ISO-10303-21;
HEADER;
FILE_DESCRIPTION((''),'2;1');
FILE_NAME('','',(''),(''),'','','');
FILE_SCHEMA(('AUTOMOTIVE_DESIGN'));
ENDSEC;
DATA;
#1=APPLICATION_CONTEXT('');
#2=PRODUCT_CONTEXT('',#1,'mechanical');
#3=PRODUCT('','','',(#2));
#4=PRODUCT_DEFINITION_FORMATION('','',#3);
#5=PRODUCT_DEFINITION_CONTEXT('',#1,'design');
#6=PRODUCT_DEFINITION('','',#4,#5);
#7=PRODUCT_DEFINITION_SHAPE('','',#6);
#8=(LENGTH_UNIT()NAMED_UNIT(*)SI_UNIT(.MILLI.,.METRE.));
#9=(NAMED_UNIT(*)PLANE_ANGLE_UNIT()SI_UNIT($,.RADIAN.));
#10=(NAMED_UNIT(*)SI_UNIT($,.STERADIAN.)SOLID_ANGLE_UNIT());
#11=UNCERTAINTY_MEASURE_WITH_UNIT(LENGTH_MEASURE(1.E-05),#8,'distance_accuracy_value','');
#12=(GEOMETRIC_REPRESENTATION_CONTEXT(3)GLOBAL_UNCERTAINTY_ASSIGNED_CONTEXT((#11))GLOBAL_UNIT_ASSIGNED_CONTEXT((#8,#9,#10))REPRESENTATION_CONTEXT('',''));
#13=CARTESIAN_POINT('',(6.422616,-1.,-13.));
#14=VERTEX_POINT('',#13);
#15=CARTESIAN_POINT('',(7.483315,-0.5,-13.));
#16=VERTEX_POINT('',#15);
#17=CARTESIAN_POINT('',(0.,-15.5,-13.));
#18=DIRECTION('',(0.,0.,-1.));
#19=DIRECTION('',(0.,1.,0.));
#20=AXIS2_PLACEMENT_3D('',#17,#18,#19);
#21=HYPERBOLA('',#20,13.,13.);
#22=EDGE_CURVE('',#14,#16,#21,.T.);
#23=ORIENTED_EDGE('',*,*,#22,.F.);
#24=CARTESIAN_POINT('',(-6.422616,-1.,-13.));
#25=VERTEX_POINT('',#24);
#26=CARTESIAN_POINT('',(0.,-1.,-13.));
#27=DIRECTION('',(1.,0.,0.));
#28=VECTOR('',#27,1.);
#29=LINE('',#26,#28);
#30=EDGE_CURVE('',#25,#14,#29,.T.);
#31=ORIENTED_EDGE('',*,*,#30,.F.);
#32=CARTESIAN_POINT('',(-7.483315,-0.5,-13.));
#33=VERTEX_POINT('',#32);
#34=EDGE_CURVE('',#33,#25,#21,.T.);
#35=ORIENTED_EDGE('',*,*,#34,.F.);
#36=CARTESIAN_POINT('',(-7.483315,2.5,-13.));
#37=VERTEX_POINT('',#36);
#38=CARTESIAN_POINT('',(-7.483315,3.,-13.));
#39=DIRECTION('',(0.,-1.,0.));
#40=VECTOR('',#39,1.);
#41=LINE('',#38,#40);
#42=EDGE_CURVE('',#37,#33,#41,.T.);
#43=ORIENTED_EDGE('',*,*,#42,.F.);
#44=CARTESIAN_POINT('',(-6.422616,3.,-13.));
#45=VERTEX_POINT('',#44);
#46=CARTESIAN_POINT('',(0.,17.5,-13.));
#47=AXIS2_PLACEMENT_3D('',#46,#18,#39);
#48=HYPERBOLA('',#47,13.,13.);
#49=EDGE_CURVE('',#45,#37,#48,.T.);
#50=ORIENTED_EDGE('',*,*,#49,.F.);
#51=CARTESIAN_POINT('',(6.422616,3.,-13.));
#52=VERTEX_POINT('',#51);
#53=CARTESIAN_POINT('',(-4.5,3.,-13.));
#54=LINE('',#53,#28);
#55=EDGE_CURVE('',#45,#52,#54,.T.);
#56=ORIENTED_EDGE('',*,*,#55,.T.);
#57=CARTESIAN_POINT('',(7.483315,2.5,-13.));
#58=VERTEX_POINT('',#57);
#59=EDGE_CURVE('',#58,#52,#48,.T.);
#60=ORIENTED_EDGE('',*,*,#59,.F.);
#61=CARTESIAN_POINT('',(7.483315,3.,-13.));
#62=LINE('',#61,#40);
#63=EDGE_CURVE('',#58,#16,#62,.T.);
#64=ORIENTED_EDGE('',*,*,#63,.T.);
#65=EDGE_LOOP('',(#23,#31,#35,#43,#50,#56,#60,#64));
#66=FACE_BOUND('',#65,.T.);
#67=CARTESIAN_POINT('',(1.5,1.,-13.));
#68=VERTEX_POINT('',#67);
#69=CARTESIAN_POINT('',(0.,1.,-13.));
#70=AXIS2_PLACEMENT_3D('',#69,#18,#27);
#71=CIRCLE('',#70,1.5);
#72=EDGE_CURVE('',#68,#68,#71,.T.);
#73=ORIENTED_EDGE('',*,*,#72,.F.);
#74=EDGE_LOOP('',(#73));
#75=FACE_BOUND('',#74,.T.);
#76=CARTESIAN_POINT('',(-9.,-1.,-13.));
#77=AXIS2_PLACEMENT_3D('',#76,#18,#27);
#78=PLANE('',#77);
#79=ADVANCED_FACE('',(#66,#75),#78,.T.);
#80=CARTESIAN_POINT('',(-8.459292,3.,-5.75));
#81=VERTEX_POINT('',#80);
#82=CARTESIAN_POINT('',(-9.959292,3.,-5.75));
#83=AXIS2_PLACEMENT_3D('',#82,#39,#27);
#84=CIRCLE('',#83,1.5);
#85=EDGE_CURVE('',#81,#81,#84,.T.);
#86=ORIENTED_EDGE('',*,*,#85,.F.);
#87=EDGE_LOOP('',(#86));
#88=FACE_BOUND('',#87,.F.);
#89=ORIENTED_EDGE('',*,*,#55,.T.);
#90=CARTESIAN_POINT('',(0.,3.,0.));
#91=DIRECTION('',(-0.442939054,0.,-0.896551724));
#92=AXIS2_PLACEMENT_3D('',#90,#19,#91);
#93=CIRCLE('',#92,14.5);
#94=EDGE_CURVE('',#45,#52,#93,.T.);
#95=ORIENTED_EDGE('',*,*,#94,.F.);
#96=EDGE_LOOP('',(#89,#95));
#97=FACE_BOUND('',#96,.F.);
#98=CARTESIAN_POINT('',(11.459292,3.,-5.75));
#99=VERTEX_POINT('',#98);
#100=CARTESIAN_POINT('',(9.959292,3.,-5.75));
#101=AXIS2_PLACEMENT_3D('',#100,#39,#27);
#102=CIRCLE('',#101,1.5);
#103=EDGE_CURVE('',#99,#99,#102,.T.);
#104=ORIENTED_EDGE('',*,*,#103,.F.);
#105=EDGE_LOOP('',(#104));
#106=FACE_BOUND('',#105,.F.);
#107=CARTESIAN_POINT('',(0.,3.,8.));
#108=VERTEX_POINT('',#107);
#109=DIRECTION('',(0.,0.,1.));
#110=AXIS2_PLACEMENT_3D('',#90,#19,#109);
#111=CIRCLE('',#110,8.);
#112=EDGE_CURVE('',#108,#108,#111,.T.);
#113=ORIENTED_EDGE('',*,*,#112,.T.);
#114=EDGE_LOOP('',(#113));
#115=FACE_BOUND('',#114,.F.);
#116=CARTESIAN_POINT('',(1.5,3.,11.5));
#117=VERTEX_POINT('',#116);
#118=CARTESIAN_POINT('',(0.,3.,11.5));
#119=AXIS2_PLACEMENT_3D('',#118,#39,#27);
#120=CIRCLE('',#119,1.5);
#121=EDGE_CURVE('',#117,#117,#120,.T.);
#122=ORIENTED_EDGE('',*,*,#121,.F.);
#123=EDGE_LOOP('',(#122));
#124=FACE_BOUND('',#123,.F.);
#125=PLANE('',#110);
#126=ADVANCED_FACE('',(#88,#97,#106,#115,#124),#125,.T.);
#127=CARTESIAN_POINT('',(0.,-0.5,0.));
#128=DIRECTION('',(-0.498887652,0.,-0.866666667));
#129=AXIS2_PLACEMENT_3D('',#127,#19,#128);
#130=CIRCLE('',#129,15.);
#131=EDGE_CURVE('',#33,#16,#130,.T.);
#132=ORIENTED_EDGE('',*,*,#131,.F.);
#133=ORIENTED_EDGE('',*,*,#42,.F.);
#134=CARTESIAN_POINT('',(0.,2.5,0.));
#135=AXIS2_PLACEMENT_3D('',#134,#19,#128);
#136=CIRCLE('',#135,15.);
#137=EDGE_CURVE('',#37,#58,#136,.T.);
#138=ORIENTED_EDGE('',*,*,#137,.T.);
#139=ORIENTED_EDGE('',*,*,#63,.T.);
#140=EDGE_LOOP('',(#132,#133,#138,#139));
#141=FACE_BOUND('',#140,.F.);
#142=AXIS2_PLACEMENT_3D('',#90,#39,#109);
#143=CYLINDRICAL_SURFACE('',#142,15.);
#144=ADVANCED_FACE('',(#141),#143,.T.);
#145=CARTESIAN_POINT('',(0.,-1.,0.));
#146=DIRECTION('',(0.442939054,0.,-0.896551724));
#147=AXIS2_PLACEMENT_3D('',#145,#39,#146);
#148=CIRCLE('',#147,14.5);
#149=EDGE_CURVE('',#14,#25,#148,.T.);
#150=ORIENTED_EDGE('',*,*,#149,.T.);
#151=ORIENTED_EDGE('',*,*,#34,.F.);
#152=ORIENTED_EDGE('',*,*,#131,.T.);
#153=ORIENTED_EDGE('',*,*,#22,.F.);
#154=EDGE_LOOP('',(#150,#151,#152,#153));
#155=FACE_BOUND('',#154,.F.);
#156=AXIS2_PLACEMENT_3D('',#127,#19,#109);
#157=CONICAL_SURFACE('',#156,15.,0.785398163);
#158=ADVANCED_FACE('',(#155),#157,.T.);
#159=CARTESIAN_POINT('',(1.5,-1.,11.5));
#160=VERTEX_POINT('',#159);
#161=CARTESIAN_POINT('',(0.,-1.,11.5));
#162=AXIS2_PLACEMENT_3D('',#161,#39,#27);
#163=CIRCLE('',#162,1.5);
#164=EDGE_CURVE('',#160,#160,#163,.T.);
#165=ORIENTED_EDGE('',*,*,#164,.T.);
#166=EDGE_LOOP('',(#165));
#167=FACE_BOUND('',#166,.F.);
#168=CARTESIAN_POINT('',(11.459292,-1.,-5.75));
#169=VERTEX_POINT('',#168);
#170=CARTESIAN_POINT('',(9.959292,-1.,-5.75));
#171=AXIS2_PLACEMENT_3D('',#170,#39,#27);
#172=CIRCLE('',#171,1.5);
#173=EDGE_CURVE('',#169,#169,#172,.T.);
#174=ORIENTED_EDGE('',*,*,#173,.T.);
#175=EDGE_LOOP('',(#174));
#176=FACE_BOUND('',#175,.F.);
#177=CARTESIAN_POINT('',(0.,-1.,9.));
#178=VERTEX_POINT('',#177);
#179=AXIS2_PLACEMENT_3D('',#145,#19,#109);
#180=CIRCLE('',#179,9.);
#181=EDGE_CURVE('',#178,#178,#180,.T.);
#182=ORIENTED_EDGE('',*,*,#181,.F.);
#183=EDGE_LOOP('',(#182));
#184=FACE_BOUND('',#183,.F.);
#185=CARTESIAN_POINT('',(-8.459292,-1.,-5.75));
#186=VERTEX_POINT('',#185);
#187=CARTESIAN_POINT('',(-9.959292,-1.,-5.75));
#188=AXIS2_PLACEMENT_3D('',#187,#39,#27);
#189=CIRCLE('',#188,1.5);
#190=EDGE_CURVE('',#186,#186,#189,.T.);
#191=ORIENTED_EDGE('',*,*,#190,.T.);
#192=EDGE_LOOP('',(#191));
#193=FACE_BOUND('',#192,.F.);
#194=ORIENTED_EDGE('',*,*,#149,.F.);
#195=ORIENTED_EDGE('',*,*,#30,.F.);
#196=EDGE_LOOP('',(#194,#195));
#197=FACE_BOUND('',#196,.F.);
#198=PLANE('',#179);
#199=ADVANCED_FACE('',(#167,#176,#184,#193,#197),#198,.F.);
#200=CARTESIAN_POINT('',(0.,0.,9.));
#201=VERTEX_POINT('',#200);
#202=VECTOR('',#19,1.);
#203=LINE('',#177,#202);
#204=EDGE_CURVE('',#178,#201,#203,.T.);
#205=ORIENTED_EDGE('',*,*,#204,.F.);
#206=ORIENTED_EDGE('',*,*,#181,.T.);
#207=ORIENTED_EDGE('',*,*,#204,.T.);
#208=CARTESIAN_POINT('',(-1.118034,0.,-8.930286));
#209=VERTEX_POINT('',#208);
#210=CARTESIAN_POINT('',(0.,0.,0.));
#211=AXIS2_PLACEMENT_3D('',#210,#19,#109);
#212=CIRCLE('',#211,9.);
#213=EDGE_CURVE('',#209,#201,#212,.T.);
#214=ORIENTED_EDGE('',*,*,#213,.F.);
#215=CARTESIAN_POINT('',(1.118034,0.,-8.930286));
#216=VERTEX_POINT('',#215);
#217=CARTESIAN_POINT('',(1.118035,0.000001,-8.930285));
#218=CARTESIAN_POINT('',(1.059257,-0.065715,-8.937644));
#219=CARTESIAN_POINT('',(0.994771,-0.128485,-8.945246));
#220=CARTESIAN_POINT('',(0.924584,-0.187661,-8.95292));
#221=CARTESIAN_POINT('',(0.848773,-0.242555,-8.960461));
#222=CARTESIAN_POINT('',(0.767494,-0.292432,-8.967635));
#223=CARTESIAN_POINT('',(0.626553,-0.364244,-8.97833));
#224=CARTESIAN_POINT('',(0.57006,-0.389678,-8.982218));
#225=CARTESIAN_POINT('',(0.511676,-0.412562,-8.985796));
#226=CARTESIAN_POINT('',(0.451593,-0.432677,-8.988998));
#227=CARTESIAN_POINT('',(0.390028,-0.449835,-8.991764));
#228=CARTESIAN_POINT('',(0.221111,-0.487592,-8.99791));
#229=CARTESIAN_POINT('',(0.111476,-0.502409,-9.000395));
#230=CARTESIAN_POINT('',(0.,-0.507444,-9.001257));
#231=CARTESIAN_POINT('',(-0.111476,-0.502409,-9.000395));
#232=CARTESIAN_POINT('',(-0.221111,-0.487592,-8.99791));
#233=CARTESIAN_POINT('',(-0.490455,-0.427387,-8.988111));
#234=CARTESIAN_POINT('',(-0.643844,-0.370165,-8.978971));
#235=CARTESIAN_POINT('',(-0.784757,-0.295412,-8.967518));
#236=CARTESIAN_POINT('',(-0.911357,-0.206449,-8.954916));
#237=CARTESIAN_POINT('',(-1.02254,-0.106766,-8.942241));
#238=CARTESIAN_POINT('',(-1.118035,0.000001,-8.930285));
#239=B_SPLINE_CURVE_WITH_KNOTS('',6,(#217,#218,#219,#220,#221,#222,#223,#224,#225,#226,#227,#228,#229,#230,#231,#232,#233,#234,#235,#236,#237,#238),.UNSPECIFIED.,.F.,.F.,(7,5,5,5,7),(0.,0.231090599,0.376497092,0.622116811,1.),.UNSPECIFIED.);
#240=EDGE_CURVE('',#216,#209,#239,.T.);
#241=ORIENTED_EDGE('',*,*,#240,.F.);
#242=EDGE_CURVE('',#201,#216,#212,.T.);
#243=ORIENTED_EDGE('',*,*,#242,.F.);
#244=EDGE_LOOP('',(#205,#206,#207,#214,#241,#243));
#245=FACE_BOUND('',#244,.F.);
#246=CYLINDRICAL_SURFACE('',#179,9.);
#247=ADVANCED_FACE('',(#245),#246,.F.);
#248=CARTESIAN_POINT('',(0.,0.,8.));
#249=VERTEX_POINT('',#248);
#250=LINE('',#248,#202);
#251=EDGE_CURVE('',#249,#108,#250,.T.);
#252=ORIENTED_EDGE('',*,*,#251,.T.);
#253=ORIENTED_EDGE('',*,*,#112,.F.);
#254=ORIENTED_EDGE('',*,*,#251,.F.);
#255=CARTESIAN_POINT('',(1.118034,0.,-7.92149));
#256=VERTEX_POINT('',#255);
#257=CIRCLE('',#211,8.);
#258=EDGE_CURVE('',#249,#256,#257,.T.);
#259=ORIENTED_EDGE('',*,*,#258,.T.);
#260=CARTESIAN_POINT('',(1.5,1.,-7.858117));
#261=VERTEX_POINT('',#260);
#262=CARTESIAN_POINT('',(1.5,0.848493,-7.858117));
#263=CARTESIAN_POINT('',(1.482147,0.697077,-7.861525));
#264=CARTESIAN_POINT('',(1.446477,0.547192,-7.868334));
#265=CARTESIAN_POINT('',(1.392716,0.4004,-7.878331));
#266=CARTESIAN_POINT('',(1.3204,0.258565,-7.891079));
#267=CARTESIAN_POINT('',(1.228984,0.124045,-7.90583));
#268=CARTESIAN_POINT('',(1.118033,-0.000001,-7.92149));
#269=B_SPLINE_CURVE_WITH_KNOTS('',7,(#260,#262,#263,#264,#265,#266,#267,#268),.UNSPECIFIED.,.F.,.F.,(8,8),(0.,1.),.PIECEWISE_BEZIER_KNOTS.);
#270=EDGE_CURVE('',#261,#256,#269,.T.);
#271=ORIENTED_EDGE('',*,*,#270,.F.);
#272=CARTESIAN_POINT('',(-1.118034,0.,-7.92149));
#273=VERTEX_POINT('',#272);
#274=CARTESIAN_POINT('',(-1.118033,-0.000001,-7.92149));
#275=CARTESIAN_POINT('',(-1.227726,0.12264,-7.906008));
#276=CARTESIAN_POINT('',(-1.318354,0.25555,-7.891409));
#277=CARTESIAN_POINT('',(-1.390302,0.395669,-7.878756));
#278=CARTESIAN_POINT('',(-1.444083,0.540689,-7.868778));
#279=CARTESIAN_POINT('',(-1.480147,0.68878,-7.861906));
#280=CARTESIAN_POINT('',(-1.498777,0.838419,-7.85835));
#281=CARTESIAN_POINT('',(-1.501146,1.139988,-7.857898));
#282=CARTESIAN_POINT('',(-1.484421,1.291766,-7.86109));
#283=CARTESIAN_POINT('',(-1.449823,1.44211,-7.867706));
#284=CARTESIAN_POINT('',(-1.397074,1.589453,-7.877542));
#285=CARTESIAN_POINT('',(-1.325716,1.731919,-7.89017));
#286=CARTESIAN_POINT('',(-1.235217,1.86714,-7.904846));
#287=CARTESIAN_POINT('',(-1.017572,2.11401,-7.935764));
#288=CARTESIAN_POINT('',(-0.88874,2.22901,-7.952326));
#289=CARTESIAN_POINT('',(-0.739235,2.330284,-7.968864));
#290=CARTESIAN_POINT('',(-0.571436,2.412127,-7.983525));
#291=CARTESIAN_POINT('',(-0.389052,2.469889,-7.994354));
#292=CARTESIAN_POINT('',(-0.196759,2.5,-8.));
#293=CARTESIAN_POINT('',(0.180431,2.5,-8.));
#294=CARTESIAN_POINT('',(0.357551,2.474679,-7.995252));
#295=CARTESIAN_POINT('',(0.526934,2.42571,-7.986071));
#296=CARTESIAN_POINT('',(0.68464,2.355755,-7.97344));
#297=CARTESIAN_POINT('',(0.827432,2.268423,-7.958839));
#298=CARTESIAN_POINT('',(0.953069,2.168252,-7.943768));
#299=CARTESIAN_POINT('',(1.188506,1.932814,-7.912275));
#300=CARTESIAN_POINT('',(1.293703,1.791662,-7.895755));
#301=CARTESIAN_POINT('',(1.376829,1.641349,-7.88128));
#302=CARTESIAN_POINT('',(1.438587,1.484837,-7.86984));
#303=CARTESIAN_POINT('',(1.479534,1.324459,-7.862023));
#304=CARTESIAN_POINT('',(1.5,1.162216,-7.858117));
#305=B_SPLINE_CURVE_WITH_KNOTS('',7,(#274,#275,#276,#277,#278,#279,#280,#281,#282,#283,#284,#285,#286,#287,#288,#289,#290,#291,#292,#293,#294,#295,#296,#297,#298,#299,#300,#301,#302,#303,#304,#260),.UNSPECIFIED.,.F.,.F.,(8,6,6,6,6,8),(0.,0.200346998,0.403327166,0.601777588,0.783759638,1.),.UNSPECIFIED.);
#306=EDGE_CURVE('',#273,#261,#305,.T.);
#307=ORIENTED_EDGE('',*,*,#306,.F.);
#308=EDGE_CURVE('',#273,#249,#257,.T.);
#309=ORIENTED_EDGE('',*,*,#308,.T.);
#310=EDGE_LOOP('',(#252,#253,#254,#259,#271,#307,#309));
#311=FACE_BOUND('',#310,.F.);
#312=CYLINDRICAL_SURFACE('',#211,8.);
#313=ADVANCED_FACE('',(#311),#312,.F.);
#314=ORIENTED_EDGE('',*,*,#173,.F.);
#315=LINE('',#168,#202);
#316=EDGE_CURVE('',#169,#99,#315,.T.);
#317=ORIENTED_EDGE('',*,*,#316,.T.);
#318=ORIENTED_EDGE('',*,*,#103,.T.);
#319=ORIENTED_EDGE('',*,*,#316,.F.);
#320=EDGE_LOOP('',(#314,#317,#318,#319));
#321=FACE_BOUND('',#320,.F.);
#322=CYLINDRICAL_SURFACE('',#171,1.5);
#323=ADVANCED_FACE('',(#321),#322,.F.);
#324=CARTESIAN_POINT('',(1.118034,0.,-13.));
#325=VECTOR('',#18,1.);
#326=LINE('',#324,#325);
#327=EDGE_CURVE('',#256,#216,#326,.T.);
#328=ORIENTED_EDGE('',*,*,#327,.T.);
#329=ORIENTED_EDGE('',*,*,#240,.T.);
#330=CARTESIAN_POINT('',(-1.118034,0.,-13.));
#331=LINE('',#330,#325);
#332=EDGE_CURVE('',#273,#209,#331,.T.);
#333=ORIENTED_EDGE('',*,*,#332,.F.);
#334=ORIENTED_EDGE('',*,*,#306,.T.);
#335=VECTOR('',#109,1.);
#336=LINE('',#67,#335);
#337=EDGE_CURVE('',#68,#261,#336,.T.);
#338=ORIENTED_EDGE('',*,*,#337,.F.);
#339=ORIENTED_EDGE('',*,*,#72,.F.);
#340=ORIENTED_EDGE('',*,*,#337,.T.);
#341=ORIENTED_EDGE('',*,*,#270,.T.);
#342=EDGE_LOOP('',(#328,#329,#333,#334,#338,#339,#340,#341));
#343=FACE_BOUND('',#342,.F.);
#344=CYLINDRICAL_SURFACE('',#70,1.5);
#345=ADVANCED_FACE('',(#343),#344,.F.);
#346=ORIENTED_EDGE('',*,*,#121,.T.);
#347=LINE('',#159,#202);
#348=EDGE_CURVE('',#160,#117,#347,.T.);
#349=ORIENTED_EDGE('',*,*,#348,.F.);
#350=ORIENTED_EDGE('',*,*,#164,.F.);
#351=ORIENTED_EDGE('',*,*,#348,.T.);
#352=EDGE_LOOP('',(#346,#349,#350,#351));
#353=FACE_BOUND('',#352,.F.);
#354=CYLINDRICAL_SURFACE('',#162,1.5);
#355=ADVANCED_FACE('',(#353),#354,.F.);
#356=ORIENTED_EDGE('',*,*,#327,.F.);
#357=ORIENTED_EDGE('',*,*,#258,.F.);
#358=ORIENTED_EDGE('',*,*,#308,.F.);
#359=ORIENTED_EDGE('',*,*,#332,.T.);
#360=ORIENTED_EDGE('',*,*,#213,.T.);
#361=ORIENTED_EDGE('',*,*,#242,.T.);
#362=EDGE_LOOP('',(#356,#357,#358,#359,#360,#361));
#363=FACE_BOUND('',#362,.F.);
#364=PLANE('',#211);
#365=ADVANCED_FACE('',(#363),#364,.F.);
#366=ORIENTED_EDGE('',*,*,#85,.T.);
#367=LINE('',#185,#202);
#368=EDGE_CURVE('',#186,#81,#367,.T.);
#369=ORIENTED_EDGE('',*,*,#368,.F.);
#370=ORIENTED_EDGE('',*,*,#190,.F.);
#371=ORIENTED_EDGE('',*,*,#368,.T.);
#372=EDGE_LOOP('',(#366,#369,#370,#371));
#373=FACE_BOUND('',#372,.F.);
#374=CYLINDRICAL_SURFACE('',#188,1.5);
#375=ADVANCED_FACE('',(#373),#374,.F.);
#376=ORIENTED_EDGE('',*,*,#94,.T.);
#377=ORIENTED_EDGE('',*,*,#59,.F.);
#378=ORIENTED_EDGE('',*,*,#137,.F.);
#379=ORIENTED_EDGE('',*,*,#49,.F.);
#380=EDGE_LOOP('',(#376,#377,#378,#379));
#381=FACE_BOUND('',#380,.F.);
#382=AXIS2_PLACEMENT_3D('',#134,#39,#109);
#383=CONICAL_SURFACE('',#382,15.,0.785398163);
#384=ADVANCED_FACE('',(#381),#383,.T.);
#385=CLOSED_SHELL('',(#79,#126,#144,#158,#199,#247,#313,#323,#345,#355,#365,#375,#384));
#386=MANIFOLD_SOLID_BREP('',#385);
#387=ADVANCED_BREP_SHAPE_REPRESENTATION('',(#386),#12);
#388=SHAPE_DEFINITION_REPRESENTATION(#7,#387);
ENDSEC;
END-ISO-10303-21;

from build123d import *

# Parameters (mm, degrees)
F2_SIZE  = 0.5
F3_W     = 18
F3_H     = 5
F4_DEPTH = 4.001
F5_R     = 1.5
F6_DEPTH = 5.1428832774
F7_R     = 1.5
F8_DEPTH = 4.0010001


with BuildPart() as f1:
    # F0 (on Right) → F1 (revolve)
    with BuildSketch(Plane.YZ):
        Polygon((0, 9), (0, 8), (3, 8), (3, 15), (-1, 15), (-1, 9), align=None)
    revolve(axis=Axis((0, 22.7407575149, 0), (0, 1, 0)))

    # F2
    f2_edges = [f1.edges().sort_by_distance(p)[0] for p in [
        (0, 3, -15),
        (0, -1, -15),
    ]]
    chamfer(f2_edges, length=F2_SIZE)

    # F3 (on face) → F4 (cut, through all)
    with BuildSketch(Plane.XZ.offset(1)):
        with Locations((0, -15.5)):
            Rectangle(F3_W, F3_H)
    extrude(amount=-F4_DEPTH, mode=Mode.SUBTRACT)

    # F5 (on face) → F6 (cut, through all)
    with BuildSketch(Plane(origin=(0, 0, -13), x_dir=(1, 0, 0), z_dir=(0, 0, -1))):
        with Locations((0, -1)):
            Circle(F5_R)
    extrude(amount=-F6_DEPTH, mode=Mode.SUBTRACT)

    # F7 (on face) → F8 (cut, through all)
    with BuildSketch(Plane.XZ.offset(1)):
        with Locations((0, 11.5)):
            Circle(F7_R)
        with Locations((-9.9592921435, -5.75)):
            Circle(F7_R)
        with Locations((9.9592921435, -5.75)):
            Circle(F7_R)
    extrude(amount=-F8_DEPTH, mode=Mode.SUBTRACT)


solid = f1.part
